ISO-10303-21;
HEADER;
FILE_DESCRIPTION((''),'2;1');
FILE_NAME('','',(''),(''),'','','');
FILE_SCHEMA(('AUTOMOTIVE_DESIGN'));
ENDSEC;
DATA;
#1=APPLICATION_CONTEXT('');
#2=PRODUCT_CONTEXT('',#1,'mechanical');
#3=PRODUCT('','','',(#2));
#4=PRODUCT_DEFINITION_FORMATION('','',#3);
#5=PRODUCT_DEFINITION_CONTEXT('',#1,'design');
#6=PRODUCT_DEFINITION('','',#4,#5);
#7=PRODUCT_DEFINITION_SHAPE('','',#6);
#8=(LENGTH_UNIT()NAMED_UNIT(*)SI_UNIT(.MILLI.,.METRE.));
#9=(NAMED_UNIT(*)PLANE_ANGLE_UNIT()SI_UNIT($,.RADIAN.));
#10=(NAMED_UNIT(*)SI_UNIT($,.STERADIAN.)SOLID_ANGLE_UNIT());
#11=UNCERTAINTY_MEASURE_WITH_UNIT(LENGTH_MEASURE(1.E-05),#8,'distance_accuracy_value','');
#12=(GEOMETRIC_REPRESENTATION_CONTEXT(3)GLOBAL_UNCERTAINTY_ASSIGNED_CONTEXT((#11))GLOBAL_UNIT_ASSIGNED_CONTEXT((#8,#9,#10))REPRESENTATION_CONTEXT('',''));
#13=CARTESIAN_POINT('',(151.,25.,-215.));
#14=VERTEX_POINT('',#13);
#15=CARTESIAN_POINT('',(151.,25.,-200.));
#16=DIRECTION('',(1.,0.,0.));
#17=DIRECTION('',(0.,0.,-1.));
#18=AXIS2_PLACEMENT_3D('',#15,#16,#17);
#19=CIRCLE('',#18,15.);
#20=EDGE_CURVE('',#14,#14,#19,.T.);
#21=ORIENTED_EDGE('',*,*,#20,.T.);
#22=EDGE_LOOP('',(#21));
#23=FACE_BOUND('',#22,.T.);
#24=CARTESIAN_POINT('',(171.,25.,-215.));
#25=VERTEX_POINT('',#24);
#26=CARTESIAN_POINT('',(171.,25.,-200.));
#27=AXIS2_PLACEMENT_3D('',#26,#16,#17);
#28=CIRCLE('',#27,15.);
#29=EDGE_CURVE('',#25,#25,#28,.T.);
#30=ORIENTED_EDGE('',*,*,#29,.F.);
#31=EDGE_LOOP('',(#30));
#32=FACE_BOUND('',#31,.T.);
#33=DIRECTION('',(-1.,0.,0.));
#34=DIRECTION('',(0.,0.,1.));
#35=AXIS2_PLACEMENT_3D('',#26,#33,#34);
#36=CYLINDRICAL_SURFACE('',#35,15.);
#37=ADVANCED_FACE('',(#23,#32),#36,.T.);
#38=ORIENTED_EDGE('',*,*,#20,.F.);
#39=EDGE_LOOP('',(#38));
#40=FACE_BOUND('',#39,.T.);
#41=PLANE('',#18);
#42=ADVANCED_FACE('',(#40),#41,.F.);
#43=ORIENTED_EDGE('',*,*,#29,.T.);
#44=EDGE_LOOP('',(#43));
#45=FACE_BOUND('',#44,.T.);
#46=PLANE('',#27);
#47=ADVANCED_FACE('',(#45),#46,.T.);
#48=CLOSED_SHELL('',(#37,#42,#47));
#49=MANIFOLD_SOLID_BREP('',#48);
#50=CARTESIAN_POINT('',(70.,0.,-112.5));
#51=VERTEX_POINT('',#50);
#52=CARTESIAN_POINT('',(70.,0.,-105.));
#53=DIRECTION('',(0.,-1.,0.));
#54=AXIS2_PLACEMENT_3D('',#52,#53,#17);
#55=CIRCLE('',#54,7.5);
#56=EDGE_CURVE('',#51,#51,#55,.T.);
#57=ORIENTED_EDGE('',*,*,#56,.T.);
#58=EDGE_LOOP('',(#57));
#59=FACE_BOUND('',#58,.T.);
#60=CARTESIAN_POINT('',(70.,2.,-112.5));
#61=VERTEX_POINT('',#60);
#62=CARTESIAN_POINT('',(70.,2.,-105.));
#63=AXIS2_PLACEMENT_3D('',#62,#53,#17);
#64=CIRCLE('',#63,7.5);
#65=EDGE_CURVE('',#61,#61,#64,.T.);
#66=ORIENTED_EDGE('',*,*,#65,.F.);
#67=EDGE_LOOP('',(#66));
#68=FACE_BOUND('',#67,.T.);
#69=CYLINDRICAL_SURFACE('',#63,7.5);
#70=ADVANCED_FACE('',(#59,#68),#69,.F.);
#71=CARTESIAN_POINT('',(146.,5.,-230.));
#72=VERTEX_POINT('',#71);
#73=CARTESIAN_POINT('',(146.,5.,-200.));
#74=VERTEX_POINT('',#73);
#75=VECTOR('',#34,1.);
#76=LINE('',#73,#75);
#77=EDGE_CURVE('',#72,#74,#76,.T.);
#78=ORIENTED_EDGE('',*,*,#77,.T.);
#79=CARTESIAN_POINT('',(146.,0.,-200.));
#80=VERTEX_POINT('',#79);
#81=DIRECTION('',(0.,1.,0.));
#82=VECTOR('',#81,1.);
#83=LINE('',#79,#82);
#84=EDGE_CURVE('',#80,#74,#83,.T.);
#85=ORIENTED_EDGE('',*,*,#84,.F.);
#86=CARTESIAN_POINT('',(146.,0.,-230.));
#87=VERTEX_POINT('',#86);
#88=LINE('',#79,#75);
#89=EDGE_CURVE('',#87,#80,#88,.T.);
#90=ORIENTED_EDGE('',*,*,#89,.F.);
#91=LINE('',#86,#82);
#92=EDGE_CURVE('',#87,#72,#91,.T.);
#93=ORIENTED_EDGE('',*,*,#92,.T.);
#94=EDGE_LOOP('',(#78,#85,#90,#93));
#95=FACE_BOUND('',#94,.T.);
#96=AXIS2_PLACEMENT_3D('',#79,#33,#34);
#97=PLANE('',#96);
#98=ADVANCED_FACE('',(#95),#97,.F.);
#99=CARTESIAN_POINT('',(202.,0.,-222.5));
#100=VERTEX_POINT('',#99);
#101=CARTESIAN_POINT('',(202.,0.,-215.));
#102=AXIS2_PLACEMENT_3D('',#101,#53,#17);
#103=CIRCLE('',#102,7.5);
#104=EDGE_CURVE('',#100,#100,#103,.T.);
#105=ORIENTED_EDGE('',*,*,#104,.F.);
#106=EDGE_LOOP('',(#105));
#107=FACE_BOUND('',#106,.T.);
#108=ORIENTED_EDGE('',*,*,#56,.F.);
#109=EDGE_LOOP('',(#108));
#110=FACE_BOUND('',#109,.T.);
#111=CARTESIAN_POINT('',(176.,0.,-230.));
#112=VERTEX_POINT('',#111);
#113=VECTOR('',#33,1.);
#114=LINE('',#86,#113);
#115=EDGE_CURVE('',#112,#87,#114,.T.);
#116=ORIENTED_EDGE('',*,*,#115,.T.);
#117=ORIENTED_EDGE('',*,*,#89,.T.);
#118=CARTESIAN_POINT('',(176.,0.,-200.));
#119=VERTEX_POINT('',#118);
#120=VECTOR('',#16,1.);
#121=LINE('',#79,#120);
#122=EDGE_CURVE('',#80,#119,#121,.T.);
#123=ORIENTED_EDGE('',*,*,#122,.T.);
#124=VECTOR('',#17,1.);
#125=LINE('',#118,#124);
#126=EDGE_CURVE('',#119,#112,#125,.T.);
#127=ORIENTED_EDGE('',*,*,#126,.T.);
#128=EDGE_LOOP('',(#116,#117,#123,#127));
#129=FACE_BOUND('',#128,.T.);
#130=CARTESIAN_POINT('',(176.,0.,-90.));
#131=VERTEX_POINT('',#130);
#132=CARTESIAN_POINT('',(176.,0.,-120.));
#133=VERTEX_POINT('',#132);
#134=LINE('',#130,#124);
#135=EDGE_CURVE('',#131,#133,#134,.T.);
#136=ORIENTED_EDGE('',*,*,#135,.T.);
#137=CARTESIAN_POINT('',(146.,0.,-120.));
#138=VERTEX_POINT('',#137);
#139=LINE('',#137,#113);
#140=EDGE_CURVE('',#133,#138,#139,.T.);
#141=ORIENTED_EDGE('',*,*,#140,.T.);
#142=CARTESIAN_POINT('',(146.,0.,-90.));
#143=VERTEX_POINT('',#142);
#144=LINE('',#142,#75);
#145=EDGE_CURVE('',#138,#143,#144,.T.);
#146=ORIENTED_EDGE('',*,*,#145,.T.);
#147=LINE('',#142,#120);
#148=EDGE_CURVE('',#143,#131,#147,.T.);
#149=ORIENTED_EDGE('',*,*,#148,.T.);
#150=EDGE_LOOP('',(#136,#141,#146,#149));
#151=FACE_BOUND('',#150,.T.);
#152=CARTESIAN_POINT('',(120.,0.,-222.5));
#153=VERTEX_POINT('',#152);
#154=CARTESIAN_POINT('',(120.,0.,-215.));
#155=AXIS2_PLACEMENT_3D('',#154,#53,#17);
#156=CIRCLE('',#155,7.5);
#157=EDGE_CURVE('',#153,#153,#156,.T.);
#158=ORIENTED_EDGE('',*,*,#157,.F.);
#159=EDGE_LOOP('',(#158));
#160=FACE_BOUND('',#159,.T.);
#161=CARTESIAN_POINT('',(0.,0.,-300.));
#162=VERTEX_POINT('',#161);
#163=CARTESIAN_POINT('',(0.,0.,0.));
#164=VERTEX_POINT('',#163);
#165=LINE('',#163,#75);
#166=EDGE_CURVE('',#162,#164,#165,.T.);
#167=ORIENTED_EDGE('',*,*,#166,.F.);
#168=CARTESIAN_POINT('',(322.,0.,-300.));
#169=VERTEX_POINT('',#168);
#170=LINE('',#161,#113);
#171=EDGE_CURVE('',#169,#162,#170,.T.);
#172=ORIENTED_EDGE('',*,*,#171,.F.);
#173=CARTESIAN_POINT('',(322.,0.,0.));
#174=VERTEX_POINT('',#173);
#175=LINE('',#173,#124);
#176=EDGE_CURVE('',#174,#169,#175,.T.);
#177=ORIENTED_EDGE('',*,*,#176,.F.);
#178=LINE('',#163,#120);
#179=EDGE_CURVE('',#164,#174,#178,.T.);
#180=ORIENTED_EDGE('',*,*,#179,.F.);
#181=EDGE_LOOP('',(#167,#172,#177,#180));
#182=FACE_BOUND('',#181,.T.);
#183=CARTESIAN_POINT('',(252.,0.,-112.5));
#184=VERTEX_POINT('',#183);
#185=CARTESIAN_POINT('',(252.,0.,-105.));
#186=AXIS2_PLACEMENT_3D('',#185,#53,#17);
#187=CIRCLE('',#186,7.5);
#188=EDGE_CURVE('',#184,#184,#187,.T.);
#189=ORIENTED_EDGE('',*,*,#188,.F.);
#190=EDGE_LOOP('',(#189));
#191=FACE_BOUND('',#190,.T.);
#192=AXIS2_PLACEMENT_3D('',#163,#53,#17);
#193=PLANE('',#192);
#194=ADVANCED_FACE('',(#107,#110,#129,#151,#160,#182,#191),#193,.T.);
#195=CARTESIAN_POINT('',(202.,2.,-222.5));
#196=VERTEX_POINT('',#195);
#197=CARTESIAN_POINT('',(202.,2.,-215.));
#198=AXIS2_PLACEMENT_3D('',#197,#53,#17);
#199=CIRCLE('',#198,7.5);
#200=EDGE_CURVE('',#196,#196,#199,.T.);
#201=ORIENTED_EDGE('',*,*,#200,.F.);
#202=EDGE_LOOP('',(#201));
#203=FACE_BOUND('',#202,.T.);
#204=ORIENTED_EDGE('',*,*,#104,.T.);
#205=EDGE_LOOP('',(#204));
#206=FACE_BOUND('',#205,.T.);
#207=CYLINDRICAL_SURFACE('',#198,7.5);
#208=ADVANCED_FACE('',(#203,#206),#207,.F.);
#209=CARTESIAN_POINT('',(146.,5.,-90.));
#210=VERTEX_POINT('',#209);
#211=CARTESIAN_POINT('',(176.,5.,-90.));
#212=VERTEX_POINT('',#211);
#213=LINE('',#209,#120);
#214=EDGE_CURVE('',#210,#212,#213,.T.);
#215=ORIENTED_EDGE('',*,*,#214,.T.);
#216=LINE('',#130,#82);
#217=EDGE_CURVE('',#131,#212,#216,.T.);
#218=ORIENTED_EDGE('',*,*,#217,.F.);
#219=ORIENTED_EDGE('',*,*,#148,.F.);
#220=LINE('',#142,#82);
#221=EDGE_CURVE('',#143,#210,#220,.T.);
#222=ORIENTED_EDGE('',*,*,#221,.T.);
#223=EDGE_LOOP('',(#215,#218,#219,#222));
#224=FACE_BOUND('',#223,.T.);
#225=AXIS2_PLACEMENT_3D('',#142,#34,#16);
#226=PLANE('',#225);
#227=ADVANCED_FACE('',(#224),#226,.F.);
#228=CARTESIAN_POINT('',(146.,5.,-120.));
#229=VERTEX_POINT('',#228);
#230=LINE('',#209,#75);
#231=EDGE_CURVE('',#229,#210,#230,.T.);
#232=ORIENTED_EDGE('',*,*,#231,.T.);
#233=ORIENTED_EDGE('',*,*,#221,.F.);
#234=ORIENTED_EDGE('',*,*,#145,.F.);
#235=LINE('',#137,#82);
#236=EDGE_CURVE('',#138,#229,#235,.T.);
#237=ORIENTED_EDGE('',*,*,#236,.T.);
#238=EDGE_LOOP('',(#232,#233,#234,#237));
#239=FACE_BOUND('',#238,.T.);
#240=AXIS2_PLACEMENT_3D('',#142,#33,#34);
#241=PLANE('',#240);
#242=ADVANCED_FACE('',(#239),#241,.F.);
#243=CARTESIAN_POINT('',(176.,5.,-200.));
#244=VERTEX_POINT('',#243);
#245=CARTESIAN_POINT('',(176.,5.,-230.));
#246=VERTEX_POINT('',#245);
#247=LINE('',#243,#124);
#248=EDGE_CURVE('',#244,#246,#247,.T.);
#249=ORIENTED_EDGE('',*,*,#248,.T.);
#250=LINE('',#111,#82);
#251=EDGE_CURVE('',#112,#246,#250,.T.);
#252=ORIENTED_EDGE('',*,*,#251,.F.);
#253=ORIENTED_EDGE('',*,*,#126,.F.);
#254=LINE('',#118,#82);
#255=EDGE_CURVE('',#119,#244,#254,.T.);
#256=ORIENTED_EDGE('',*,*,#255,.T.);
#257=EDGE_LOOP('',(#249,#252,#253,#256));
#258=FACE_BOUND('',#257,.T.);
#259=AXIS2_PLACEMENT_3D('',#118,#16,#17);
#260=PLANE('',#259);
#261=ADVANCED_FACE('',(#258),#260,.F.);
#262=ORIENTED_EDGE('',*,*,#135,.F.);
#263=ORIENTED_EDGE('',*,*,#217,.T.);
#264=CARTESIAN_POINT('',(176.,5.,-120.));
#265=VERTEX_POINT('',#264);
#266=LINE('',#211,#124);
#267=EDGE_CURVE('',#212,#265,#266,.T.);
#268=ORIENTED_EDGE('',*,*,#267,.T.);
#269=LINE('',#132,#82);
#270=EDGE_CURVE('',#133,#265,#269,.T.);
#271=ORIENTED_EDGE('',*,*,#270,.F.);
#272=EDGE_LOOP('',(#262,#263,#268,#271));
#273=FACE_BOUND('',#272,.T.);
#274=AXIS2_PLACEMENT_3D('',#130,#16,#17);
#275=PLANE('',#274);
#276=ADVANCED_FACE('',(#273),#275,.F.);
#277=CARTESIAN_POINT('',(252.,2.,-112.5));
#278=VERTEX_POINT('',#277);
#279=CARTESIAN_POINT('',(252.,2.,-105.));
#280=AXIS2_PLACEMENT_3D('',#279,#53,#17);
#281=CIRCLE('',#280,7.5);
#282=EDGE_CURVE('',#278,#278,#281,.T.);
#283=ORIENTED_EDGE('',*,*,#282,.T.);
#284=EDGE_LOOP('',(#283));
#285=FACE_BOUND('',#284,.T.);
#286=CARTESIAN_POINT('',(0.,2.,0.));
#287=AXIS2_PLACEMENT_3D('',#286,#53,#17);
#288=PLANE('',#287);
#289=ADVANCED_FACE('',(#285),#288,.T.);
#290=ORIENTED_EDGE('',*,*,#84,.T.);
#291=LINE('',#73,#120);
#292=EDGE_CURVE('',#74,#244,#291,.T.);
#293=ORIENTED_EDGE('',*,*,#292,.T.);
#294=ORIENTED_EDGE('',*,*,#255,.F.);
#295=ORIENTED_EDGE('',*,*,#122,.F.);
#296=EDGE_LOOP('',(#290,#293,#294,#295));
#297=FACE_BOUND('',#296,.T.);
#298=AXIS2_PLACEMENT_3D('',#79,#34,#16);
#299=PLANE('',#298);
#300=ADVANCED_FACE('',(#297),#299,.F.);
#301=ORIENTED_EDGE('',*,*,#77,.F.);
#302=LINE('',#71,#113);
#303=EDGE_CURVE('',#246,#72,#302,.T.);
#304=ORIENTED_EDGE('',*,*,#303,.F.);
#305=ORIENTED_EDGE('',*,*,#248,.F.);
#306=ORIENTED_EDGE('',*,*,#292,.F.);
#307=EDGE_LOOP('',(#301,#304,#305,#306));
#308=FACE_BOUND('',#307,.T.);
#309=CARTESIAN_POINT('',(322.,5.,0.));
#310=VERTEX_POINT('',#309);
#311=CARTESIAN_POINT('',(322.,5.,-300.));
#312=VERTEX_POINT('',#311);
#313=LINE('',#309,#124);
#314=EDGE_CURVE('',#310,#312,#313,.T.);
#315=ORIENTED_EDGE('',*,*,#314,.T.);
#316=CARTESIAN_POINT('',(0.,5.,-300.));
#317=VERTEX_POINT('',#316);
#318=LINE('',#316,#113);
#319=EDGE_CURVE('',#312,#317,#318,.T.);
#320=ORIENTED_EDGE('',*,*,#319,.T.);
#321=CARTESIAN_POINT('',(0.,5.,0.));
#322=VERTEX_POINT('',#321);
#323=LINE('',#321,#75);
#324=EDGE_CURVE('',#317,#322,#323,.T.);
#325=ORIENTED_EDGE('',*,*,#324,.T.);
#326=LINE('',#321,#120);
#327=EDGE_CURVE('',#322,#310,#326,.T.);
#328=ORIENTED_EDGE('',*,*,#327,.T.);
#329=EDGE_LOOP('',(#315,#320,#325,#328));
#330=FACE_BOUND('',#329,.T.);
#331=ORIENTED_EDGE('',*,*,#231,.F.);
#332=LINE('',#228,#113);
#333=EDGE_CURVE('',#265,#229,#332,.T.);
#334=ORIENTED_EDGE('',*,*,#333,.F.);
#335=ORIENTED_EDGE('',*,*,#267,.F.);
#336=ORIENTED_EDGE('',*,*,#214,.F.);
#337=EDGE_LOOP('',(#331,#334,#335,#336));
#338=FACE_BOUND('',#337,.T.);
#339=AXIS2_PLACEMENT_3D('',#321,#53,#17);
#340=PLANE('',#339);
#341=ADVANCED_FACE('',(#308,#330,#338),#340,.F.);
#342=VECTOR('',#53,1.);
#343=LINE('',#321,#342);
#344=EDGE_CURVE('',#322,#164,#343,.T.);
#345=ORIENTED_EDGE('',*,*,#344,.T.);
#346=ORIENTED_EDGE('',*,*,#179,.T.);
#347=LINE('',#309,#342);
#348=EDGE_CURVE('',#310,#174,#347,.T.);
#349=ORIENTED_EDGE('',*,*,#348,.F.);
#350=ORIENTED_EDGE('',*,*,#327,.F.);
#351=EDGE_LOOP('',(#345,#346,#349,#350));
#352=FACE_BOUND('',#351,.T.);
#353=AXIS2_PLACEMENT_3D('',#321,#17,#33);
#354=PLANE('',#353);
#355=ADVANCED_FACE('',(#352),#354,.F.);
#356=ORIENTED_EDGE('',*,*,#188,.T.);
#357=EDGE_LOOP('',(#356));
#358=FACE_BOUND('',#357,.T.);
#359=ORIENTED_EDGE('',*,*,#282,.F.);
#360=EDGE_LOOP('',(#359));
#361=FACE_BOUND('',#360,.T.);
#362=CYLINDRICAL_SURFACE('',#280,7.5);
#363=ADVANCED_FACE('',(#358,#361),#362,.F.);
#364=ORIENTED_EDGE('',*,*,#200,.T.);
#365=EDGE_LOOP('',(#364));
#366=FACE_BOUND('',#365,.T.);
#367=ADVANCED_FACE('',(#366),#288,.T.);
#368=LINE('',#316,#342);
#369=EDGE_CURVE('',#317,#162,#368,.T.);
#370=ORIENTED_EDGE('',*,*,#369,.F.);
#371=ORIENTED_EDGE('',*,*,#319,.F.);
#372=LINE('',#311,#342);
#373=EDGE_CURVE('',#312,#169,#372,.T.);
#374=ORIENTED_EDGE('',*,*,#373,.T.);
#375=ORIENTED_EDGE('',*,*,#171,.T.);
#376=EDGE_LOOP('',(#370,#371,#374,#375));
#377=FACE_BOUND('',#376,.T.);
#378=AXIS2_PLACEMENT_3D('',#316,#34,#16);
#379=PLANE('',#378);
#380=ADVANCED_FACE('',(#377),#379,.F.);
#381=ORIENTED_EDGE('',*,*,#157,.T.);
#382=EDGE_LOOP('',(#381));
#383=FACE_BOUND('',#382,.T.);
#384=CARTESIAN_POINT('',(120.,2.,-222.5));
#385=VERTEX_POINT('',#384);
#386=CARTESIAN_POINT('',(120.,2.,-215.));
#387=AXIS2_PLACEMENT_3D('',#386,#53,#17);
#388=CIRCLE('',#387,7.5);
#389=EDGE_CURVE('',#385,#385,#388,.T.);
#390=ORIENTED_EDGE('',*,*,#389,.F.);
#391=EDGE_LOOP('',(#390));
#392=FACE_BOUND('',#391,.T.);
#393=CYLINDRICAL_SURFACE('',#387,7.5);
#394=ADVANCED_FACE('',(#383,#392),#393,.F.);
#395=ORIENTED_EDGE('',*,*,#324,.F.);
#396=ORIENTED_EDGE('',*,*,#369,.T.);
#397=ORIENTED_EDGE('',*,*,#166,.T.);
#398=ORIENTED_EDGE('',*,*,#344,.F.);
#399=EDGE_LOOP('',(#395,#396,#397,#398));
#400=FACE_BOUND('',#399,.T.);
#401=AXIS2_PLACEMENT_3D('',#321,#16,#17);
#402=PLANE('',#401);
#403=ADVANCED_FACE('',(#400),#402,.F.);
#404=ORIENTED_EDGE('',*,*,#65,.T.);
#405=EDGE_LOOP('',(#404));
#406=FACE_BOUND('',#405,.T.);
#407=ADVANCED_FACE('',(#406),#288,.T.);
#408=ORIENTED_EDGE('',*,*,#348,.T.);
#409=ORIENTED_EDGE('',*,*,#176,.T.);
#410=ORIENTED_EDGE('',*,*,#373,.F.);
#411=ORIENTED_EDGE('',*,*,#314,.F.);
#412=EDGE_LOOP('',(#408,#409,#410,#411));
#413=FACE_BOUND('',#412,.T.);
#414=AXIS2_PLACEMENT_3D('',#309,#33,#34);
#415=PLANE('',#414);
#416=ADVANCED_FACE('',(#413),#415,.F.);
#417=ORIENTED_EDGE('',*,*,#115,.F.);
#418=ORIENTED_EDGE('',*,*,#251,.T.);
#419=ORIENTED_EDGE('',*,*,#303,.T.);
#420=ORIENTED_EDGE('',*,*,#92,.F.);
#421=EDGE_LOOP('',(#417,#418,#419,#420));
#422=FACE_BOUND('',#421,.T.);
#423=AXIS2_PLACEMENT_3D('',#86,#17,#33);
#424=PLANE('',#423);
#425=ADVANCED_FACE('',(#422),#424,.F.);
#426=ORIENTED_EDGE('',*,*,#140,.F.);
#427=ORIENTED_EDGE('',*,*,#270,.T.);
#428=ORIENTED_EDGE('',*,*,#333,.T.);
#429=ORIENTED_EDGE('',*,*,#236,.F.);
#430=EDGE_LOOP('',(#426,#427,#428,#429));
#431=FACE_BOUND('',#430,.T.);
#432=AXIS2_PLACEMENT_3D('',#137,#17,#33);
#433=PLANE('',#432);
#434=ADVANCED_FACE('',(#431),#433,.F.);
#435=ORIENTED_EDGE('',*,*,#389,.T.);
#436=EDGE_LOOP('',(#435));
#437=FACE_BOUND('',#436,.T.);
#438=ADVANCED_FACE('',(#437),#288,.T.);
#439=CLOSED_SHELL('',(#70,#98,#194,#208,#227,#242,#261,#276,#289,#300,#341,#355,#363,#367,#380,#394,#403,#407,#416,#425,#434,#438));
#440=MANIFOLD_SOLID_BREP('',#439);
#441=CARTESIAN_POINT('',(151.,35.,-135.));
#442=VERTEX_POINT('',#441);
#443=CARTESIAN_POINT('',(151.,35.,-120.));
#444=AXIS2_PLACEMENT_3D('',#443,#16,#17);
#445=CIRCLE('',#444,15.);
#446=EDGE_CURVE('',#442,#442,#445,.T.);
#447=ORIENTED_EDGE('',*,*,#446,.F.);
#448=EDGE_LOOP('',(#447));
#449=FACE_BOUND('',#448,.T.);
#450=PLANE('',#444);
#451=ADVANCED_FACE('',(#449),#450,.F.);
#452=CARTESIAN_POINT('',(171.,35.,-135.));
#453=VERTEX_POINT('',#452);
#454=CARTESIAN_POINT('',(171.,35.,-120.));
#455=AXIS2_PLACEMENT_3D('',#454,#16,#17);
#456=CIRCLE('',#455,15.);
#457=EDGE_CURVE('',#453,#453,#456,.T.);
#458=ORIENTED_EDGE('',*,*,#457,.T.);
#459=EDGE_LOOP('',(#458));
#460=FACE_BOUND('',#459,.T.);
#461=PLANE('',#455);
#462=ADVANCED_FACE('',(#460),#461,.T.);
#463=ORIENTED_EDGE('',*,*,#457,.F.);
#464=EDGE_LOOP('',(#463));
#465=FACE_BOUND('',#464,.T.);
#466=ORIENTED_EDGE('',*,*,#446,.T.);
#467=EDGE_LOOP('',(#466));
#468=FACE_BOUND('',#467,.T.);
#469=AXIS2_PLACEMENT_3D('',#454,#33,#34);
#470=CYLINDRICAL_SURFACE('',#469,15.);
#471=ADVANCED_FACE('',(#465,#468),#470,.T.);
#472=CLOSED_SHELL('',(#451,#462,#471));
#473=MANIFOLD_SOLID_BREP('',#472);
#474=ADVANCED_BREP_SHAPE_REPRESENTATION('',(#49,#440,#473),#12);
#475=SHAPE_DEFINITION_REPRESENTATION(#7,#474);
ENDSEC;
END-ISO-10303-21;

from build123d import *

# Parameters (mm, degrees)
SKETCH_1_W          = 322
SKETCH_1_H          = 300
EXTRUDE_1_DEPTH     = 5
SKETCH_2_W          = 30
SKETCH_2_H          = 30
CUT_EXTRUDE_1_DEPTH = 5
CUT_EXTRUDE_2_DEPTH = 2
CUT_EXTRUDE_3_DEPTH = 2
SKETCH_5_R          = 15
EXTRUDE_3_DEPTH     = 10
EXTRUDE_3_2_DEPTH   = 10


with BuildPart() as part:
    # 스케치1 → 보스-돌출1 (new body)
    with BuildSketch(Plane(origin=(0, 0, 0), x_dir=(1, 0, 0), z_dir=(0, 1, 0))):
        with Locations((161, 150)):
            Rectangle(SKETCH_1_W, SKETCH_1_H)
    extrude(amount=EXTRUDE_1_DEPTH)

    # 스케치2 → 컷-돌출1 (cut)
    with BuildSketch(Plane(origin=(0, 5, 0), x_dir=(1, 0, 0), z_dir=(0, 1, 0))):
        with Locations((161, 105)):
            Rectangle(SKETCH_2_W, SKETCH_2_H)
        with Locations((161, 215)):
            Rectangle(SKETCH_2_W, SKETCH_2_H)
    extrude(amount=-CUT_EXTRUDE_1_DEPTH, mode=Mode.SUBTRACT)

    # 스케치3 → 컷-돌출2 (cut)
    with BuildSketch(Plane.XZ):
        with BuildLine():
            ThreePointArc((62.5, -105), (70, -112.5), (77.5, -105))
            Line((77.5, -105), (62.5, -105))
        make_face()
        with BuildLine():
            Line((62.5, -105), (77.5, -105))
            ThreePointArc((77.5, -105), (70, -97.5), (62.5, -105))
        make_face()
        with BuildLine():
            ThreePointArc((244.5, -105), (252, -112.5), (259.5, -105))
            Line((259.5, -105), (244.5, -105))
        make_face()
        with BuildLine():
            Line((244.5, -105), (259.5, -105))
            ThreePointArc((259.5, -105), (252, -97.5), (244.5, -105))
        make_face()
    extrude(amount=-CUT_EXTRUDE_2_DEPTH, mode=Mode.SUBTRACT)

    # 스케치4 → 컷-돌출3 (cut)
    with BuildSketch(Plane.XZ):
        with BuildLine():
            ThreePointArc((209.5, -215), (202, -207.5), (194.5, -215))
            Line((194.5, -215), (209.5, -215))
        make_face()
        with BuildLine():
            Line((209.5, -215), (194.5, -215))
            ThreePointArc((194.5, -215), (202, -222.5), (209.5, -215))
        make_face()
        with BuildLine():
            ThreePointArc((127.5, -215), (120, -207.5), (112.5, -215))
            Line((112.5, -215), (127.5, -215))
        make_face()
        with BuildLine():
            Line((127.5, -215), (112.5, -215))
            ThreePointArc((112.5, -215), (120, -222.5), (127.5, -215))
        make_face()
    extrude(amount=-CUT_EXTRUDE_3_DEPTH, mode=Mode.SUBTRACT)


with BuildPart() as body_2:
    # 스케치5 → 보스-돌출3 (new, symmetric)
    with BuildSketch(Plane(origin=(161, 0, 0), x_dir=(0, 0, -1), z_dir=(1, 0, 0))):
        with Locations((120, 35)):
            Circle(SKETCH_5_R)
    extrude(amount=EXTRUDE_3_DEPTH, both=True)


with BuildPart() as body_3:
    # 스케치5 → Extrude 3 2 (new, symmetric)
    with BuildSketch(Plane(origin=(161, 0, 0), x_dir=(0, 0, -1), z_dir=(1, 0, 0))):
        with Locations((200, 25)):
            Circle(SKETCH_5_R)
    extrude(amount=EXTRUDE_3_2_DEPTH, both=True)


solid = Compound([part.part, body_2.part, body_3.part])
